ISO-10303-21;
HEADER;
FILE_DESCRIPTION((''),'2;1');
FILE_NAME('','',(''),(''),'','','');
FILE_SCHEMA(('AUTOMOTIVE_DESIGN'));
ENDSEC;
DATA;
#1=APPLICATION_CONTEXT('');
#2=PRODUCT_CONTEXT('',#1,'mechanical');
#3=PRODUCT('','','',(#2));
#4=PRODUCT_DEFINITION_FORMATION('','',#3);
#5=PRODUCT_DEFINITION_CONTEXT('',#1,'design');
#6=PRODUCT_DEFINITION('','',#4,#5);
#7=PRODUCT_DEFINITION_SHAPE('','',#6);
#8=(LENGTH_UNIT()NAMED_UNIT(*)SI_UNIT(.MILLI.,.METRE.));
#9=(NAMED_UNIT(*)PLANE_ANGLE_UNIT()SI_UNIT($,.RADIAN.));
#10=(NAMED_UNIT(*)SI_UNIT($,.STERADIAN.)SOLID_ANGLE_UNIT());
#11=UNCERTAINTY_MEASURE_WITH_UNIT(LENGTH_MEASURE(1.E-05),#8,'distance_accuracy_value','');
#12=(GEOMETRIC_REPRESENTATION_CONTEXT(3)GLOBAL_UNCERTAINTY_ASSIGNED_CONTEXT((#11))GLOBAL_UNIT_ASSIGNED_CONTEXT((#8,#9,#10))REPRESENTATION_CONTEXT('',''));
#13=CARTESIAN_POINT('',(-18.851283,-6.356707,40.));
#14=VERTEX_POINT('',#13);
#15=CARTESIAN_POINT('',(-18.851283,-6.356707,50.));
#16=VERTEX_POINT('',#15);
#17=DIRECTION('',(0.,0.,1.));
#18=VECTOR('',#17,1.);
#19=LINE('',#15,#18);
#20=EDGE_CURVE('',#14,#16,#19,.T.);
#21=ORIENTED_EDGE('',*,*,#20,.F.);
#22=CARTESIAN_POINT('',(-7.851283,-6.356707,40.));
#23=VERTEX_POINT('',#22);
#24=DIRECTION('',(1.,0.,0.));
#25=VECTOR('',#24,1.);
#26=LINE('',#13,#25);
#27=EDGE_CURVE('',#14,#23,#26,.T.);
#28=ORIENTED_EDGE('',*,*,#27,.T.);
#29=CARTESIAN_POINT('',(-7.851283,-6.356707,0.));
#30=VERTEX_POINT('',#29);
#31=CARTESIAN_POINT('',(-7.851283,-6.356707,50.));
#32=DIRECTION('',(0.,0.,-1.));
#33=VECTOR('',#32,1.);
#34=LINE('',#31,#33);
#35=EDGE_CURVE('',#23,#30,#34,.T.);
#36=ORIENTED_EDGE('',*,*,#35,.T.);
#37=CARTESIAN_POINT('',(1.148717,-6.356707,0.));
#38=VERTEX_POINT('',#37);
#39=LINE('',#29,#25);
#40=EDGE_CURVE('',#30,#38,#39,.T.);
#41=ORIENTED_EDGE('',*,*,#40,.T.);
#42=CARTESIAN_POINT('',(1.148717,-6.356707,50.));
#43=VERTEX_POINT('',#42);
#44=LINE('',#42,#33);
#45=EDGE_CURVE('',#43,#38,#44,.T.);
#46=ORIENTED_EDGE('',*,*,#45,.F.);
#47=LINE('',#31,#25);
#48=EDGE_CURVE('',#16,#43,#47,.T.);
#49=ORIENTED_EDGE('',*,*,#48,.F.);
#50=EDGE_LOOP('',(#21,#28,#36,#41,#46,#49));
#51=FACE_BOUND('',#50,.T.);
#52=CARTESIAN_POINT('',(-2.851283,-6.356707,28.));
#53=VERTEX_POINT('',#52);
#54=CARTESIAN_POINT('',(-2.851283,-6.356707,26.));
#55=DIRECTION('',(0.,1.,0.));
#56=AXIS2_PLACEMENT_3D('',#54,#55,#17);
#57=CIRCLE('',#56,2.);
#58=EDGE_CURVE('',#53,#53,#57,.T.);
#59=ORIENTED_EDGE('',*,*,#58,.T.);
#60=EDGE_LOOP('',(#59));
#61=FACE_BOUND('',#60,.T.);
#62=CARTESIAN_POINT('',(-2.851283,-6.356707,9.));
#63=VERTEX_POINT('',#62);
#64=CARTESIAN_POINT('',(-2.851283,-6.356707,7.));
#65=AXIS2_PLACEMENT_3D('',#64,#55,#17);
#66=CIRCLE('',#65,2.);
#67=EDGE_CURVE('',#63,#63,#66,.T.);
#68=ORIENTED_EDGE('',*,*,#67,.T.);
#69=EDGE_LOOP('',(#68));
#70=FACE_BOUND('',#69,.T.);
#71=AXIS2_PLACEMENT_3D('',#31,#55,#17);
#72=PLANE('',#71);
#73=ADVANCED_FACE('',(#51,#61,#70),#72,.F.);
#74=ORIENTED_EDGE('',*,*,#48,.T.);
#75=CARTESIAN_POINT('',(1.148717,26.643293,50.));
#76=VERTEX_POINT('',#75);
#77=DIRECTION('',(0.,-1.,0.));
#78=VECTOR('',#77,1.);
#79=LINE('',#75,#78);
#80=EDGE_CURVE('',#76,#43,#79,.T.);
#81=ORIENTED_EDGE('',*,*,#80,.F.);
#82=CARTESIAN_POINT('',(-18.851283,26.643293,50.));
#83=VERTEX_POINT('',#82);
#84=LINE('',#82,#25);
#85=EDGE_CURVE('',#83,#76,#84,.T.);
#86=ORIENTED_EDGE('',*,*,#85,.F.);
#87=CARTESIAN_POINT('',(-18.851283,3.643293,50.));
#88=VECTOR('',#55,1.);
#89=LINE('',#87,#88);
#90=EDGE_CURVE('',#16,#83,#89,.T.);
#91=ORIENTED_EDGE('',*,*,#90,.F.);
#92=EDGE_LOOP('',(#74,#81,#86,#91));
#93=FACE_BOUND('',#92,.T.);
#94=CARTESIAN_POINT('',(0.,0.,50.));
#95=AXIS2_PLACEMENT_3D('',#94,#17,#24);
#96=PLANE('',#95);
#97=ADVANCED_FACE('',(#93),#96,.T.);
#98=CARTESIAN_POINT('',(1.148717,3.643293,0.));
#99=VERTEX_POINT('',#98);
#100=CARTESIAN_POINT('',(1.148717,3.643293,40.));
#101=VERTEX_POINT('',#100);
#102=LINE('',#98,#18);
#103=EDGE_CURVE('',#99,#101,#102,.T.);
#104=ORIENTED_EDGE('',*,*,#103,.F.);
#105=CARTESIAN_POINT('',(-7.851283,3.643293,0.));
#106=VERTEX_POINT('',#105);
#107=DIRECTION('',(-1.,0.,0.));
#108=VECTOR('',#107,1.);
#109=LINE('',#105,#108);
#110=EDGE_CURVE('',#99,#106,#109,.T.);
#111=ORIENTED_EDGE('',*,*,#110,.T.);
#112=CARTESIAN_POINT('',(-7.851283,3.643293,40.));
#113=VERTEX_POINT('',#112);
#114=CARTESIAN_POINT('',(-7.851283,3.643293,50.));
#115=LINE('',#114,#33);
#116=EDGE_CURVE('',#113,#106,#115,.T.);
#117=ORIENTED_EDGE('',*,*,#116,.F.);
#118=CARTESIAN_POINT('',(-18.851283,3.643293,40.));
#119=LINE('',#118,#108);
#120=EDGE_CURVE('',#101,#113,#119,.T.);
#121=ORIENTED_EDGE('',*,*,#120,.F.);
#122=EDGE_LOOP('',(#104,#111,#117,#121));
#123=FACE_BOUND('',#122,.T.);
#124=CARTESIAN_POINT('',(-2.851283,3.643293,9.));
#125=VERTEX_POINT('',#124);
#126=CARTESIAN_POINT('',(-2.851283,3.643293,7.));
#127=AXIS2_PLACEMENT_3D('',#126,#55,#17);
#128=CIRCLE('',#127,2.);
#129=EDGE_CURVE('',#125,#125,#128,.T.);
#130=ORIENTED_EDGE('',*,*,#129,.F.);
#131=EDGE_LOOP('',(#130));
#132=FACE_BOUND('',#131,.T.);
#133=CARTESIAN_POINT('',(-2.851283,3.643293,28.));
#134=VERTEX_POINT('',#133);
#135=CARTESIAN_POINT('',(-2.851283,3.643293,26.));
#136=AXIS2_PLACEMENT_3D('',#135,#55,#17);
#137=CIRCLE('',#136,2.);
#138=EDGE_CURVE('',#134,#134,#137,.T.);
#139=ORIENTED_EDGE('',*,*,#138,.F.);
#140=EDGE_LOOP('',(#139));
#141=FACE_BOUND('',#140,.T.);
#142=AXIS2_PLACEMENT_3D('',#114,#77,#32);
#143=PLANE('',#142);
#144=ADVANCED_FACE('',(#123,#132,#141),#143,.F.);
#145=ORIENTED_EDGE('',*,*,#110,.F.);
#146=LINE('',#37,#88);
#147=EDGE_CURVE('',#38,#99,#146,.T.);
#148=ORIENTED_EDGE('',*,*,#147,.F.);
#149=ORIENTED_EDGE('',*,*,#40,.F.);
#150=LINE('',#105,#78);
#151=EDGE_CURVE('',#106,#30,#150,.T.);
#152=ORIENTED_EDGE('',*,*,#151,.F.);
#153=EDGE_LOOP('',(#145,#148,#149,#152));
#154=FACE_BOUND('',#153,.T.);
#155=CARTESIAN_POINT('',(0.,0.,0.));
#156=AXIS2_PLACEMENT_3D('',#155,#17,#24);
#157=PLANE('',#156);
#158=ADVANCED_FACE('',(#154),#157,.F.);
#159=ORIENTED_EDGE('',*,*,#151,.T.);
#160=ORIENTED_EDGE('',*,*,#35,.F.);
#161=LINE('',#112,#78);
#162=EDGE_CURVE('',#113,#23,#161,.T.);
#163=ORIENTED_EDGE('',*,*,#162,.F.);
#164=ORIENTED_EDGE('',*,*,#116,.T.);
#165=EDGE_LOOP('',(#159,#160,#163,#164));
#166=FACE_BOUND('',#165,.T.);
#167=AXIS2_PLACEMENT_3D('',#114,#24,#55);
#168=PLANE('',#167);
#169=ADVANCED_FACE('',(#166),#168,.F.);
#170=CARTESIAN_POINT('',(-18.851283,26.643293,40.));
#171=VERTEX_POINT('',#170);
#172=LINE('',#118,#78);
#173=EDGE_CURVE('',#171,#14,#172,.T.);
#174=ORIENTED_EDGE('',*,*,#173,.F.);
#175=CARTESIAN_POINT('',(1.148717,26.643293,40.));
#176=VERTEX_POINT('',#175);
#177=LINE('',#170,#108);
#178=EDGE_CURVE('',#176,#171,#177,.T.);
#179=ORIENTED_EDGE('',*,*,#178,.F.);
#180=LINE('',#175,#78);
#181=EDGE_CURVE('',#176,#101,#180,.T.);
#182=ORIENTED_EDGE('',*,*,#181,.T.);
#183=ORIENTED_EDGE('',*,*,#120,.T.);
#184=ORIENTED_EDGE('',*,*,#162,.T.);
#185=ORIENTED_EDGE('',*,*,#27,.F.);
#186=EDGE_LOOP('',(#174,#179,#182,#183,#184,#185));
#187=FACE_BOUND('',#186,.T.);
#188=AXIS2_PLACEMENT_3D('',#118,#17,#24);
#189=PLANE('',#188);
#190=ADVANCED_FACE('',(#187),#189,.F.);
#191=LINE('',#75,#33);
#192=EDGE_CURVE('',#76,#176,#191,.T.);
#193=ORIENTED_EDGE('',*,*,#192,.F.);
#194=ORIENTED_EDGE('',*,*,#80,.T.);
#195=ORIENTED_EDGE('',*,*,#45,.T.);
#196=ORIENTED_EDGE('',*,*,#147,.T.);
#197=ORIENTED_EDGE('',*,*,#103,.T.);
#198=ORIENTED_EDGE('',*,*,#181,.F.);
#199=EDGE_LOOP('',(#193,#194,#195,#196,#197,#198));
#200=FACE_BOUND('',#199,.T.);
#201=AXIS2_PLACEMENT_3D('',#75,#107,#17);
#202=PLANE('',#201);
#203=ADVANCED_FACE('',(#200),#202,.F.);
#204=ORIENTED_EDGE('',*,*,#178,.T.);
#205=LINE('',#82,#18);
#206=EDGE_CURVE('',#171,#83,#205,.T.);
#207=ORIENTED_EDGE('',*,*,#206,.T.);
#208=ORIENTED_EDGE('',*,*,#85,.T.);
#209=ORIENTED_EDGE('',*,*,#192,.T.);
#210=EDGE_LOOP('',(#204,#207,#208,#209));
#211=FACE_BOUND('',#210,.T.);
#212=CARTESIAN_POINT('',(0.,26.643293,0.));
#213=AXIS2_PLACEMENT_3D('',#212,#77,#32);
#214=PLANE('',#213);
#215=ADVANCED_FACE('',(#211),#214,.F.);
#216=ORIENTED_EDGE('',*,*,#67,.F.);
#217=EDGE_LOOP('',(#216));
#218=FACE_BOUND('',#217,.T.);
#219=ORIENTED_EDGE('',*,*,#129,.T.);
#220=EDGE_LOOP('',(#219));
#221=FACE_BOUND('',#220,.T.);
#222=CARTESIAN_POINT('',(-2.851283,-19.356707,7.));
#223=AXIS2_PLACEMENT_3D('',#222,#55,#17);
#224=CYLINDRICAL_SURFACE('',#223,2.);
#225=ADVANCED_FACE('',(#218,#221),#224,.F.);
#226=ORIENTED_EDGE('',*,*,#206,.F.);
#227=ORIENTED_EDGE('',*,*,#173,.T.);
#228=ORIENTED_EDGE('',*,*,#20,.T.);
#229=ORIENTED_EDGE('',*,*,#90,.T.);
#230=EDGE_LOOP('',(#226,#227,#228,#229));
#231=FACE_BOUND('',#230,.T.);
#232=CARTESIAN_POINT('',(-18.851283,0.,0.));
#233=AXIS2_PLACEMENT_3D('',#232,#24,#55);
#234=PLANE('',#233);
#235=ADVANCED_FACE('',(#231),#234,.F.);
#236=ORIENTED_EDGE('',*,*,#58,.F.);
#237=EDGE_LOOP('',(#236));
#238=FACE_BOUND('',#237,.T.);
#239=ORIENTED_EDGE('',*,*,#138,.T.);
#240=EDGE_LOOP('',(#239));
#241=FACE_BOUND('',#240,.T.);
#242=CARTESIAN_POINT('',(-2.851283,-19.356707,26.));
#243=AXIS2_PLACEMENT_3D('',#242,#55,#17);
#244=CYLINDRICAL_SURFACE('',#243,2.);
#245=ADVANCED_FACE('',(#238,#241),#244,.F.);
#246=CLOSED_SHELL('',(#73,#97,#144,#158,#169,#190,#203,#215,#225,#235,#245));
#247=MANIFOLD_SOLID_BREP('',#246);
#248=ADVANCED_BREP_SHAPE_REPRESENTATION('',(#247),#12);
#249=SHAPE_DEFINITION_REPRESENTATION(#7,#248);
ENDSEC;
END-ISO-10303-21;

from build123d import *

# Parameters (mm, degrees)
SKETCH1_W           = 10
SKETCH1_H           = 10
BOSS_EXTRUDE1_DEPTH = 50
SKETCH3_W           = 10
SKETCH3_H           = 10
BOSS_EXTRUDE3_DEPTH = 11
SKETCH8_W           = 20
SKETCH8_H           = 10
BOSS_EXTRUDE4_DEPTH = 23
SKETCH9_R           = 2
CUT_EXTRUDE2_DEPTH  = 23
SKETCH9_4_R         = 2
CUT_EXTRUDE3_DEPTH  = 23
SKETCH_1_W          = 50
SKETCH_1_H          = 10
CUT_EXTRUDE_1_DEPTH = 1


with BuildPart() as part:
    # Sketch1 → Boss-Extrude1 (new body)
    with BuildSketch(Plane.XY):
        with Locations((-2.851282988, -1.356707317)):
            Rectangle(SKETCH1_W, SKETCH1_H)
    extrude(amount=BOSS_EXTRUDE1_DEPTH)

    # Sketch3 → Boss-Extrude3 (add)
    with BuildSketch(Plane.ZY.offset(7.851282988)):
        with Locations((45, -1.356707317)):
            Rectangle(SKETCH3_W, SKETCH3_H)
    extrude(amount=BOSS_EXTRUDE3_DEPTH)

    # Sketch8 → Boss-Extrude4 (add)
    with BuildSketch(Plane(origin=(0, 3.643292683, 0), x_dir=(1, 0, 0), z_dir=(0, 1, 0))):
        with Locations((-8.851282988, -45)):
            Rectangle(SKETCH8_W, SKETCH8_H)
    extrude(amount=BOSS_EXTRUDE4_DEPTH)

    # Sketch9 → Cut-Extrude2 (cut)
    with BuildSketch(Plane(origin=(0, 3.643292683, 0), x_dir=(1, 0, 0), z_dir=(0, 1, 0))):
        with Locations(Location((-2.851282988, -7, 0), (0, 0, 270))):
            Circle(SKETCH9_R)
    extrude(amount=-CUT_EXTRUDE2_DEPTH, mode=Mode.SUBTRACT)

    # Sketch9<4> → Cut-Extrude3 (cut)
    with BuildSketch(Plane(origin=(0, 3.643292683, 0), x_dir=(1, 0, 0), z_dir=(0, 1, 0))):
        with Locations(Location((-2.851282988, -26, 0), (0, 0, 270))):
            Circle(SKETCH9_4_R)
    extrude(amount=-CUT_EXTRUDE3_DEPTH, mode=Mode.SUBTRACT)

    # 草图1 → 切除-拉伸1 (cut)
    with BuildSketch(Plane(origin=(2.148717012, 0, 0), x_dir=(0, 0, -1), z_dir=(1, 0, 0))):
        with Locations((-25, -1.356707317)):
            Rectangle(SKETCH_1_W, SKETCH_1_H)
    extrude(amount=-CUT_EXTRUDE_1_DEPTH, mode=Mode.SUBTRACT)


solid = part.part
